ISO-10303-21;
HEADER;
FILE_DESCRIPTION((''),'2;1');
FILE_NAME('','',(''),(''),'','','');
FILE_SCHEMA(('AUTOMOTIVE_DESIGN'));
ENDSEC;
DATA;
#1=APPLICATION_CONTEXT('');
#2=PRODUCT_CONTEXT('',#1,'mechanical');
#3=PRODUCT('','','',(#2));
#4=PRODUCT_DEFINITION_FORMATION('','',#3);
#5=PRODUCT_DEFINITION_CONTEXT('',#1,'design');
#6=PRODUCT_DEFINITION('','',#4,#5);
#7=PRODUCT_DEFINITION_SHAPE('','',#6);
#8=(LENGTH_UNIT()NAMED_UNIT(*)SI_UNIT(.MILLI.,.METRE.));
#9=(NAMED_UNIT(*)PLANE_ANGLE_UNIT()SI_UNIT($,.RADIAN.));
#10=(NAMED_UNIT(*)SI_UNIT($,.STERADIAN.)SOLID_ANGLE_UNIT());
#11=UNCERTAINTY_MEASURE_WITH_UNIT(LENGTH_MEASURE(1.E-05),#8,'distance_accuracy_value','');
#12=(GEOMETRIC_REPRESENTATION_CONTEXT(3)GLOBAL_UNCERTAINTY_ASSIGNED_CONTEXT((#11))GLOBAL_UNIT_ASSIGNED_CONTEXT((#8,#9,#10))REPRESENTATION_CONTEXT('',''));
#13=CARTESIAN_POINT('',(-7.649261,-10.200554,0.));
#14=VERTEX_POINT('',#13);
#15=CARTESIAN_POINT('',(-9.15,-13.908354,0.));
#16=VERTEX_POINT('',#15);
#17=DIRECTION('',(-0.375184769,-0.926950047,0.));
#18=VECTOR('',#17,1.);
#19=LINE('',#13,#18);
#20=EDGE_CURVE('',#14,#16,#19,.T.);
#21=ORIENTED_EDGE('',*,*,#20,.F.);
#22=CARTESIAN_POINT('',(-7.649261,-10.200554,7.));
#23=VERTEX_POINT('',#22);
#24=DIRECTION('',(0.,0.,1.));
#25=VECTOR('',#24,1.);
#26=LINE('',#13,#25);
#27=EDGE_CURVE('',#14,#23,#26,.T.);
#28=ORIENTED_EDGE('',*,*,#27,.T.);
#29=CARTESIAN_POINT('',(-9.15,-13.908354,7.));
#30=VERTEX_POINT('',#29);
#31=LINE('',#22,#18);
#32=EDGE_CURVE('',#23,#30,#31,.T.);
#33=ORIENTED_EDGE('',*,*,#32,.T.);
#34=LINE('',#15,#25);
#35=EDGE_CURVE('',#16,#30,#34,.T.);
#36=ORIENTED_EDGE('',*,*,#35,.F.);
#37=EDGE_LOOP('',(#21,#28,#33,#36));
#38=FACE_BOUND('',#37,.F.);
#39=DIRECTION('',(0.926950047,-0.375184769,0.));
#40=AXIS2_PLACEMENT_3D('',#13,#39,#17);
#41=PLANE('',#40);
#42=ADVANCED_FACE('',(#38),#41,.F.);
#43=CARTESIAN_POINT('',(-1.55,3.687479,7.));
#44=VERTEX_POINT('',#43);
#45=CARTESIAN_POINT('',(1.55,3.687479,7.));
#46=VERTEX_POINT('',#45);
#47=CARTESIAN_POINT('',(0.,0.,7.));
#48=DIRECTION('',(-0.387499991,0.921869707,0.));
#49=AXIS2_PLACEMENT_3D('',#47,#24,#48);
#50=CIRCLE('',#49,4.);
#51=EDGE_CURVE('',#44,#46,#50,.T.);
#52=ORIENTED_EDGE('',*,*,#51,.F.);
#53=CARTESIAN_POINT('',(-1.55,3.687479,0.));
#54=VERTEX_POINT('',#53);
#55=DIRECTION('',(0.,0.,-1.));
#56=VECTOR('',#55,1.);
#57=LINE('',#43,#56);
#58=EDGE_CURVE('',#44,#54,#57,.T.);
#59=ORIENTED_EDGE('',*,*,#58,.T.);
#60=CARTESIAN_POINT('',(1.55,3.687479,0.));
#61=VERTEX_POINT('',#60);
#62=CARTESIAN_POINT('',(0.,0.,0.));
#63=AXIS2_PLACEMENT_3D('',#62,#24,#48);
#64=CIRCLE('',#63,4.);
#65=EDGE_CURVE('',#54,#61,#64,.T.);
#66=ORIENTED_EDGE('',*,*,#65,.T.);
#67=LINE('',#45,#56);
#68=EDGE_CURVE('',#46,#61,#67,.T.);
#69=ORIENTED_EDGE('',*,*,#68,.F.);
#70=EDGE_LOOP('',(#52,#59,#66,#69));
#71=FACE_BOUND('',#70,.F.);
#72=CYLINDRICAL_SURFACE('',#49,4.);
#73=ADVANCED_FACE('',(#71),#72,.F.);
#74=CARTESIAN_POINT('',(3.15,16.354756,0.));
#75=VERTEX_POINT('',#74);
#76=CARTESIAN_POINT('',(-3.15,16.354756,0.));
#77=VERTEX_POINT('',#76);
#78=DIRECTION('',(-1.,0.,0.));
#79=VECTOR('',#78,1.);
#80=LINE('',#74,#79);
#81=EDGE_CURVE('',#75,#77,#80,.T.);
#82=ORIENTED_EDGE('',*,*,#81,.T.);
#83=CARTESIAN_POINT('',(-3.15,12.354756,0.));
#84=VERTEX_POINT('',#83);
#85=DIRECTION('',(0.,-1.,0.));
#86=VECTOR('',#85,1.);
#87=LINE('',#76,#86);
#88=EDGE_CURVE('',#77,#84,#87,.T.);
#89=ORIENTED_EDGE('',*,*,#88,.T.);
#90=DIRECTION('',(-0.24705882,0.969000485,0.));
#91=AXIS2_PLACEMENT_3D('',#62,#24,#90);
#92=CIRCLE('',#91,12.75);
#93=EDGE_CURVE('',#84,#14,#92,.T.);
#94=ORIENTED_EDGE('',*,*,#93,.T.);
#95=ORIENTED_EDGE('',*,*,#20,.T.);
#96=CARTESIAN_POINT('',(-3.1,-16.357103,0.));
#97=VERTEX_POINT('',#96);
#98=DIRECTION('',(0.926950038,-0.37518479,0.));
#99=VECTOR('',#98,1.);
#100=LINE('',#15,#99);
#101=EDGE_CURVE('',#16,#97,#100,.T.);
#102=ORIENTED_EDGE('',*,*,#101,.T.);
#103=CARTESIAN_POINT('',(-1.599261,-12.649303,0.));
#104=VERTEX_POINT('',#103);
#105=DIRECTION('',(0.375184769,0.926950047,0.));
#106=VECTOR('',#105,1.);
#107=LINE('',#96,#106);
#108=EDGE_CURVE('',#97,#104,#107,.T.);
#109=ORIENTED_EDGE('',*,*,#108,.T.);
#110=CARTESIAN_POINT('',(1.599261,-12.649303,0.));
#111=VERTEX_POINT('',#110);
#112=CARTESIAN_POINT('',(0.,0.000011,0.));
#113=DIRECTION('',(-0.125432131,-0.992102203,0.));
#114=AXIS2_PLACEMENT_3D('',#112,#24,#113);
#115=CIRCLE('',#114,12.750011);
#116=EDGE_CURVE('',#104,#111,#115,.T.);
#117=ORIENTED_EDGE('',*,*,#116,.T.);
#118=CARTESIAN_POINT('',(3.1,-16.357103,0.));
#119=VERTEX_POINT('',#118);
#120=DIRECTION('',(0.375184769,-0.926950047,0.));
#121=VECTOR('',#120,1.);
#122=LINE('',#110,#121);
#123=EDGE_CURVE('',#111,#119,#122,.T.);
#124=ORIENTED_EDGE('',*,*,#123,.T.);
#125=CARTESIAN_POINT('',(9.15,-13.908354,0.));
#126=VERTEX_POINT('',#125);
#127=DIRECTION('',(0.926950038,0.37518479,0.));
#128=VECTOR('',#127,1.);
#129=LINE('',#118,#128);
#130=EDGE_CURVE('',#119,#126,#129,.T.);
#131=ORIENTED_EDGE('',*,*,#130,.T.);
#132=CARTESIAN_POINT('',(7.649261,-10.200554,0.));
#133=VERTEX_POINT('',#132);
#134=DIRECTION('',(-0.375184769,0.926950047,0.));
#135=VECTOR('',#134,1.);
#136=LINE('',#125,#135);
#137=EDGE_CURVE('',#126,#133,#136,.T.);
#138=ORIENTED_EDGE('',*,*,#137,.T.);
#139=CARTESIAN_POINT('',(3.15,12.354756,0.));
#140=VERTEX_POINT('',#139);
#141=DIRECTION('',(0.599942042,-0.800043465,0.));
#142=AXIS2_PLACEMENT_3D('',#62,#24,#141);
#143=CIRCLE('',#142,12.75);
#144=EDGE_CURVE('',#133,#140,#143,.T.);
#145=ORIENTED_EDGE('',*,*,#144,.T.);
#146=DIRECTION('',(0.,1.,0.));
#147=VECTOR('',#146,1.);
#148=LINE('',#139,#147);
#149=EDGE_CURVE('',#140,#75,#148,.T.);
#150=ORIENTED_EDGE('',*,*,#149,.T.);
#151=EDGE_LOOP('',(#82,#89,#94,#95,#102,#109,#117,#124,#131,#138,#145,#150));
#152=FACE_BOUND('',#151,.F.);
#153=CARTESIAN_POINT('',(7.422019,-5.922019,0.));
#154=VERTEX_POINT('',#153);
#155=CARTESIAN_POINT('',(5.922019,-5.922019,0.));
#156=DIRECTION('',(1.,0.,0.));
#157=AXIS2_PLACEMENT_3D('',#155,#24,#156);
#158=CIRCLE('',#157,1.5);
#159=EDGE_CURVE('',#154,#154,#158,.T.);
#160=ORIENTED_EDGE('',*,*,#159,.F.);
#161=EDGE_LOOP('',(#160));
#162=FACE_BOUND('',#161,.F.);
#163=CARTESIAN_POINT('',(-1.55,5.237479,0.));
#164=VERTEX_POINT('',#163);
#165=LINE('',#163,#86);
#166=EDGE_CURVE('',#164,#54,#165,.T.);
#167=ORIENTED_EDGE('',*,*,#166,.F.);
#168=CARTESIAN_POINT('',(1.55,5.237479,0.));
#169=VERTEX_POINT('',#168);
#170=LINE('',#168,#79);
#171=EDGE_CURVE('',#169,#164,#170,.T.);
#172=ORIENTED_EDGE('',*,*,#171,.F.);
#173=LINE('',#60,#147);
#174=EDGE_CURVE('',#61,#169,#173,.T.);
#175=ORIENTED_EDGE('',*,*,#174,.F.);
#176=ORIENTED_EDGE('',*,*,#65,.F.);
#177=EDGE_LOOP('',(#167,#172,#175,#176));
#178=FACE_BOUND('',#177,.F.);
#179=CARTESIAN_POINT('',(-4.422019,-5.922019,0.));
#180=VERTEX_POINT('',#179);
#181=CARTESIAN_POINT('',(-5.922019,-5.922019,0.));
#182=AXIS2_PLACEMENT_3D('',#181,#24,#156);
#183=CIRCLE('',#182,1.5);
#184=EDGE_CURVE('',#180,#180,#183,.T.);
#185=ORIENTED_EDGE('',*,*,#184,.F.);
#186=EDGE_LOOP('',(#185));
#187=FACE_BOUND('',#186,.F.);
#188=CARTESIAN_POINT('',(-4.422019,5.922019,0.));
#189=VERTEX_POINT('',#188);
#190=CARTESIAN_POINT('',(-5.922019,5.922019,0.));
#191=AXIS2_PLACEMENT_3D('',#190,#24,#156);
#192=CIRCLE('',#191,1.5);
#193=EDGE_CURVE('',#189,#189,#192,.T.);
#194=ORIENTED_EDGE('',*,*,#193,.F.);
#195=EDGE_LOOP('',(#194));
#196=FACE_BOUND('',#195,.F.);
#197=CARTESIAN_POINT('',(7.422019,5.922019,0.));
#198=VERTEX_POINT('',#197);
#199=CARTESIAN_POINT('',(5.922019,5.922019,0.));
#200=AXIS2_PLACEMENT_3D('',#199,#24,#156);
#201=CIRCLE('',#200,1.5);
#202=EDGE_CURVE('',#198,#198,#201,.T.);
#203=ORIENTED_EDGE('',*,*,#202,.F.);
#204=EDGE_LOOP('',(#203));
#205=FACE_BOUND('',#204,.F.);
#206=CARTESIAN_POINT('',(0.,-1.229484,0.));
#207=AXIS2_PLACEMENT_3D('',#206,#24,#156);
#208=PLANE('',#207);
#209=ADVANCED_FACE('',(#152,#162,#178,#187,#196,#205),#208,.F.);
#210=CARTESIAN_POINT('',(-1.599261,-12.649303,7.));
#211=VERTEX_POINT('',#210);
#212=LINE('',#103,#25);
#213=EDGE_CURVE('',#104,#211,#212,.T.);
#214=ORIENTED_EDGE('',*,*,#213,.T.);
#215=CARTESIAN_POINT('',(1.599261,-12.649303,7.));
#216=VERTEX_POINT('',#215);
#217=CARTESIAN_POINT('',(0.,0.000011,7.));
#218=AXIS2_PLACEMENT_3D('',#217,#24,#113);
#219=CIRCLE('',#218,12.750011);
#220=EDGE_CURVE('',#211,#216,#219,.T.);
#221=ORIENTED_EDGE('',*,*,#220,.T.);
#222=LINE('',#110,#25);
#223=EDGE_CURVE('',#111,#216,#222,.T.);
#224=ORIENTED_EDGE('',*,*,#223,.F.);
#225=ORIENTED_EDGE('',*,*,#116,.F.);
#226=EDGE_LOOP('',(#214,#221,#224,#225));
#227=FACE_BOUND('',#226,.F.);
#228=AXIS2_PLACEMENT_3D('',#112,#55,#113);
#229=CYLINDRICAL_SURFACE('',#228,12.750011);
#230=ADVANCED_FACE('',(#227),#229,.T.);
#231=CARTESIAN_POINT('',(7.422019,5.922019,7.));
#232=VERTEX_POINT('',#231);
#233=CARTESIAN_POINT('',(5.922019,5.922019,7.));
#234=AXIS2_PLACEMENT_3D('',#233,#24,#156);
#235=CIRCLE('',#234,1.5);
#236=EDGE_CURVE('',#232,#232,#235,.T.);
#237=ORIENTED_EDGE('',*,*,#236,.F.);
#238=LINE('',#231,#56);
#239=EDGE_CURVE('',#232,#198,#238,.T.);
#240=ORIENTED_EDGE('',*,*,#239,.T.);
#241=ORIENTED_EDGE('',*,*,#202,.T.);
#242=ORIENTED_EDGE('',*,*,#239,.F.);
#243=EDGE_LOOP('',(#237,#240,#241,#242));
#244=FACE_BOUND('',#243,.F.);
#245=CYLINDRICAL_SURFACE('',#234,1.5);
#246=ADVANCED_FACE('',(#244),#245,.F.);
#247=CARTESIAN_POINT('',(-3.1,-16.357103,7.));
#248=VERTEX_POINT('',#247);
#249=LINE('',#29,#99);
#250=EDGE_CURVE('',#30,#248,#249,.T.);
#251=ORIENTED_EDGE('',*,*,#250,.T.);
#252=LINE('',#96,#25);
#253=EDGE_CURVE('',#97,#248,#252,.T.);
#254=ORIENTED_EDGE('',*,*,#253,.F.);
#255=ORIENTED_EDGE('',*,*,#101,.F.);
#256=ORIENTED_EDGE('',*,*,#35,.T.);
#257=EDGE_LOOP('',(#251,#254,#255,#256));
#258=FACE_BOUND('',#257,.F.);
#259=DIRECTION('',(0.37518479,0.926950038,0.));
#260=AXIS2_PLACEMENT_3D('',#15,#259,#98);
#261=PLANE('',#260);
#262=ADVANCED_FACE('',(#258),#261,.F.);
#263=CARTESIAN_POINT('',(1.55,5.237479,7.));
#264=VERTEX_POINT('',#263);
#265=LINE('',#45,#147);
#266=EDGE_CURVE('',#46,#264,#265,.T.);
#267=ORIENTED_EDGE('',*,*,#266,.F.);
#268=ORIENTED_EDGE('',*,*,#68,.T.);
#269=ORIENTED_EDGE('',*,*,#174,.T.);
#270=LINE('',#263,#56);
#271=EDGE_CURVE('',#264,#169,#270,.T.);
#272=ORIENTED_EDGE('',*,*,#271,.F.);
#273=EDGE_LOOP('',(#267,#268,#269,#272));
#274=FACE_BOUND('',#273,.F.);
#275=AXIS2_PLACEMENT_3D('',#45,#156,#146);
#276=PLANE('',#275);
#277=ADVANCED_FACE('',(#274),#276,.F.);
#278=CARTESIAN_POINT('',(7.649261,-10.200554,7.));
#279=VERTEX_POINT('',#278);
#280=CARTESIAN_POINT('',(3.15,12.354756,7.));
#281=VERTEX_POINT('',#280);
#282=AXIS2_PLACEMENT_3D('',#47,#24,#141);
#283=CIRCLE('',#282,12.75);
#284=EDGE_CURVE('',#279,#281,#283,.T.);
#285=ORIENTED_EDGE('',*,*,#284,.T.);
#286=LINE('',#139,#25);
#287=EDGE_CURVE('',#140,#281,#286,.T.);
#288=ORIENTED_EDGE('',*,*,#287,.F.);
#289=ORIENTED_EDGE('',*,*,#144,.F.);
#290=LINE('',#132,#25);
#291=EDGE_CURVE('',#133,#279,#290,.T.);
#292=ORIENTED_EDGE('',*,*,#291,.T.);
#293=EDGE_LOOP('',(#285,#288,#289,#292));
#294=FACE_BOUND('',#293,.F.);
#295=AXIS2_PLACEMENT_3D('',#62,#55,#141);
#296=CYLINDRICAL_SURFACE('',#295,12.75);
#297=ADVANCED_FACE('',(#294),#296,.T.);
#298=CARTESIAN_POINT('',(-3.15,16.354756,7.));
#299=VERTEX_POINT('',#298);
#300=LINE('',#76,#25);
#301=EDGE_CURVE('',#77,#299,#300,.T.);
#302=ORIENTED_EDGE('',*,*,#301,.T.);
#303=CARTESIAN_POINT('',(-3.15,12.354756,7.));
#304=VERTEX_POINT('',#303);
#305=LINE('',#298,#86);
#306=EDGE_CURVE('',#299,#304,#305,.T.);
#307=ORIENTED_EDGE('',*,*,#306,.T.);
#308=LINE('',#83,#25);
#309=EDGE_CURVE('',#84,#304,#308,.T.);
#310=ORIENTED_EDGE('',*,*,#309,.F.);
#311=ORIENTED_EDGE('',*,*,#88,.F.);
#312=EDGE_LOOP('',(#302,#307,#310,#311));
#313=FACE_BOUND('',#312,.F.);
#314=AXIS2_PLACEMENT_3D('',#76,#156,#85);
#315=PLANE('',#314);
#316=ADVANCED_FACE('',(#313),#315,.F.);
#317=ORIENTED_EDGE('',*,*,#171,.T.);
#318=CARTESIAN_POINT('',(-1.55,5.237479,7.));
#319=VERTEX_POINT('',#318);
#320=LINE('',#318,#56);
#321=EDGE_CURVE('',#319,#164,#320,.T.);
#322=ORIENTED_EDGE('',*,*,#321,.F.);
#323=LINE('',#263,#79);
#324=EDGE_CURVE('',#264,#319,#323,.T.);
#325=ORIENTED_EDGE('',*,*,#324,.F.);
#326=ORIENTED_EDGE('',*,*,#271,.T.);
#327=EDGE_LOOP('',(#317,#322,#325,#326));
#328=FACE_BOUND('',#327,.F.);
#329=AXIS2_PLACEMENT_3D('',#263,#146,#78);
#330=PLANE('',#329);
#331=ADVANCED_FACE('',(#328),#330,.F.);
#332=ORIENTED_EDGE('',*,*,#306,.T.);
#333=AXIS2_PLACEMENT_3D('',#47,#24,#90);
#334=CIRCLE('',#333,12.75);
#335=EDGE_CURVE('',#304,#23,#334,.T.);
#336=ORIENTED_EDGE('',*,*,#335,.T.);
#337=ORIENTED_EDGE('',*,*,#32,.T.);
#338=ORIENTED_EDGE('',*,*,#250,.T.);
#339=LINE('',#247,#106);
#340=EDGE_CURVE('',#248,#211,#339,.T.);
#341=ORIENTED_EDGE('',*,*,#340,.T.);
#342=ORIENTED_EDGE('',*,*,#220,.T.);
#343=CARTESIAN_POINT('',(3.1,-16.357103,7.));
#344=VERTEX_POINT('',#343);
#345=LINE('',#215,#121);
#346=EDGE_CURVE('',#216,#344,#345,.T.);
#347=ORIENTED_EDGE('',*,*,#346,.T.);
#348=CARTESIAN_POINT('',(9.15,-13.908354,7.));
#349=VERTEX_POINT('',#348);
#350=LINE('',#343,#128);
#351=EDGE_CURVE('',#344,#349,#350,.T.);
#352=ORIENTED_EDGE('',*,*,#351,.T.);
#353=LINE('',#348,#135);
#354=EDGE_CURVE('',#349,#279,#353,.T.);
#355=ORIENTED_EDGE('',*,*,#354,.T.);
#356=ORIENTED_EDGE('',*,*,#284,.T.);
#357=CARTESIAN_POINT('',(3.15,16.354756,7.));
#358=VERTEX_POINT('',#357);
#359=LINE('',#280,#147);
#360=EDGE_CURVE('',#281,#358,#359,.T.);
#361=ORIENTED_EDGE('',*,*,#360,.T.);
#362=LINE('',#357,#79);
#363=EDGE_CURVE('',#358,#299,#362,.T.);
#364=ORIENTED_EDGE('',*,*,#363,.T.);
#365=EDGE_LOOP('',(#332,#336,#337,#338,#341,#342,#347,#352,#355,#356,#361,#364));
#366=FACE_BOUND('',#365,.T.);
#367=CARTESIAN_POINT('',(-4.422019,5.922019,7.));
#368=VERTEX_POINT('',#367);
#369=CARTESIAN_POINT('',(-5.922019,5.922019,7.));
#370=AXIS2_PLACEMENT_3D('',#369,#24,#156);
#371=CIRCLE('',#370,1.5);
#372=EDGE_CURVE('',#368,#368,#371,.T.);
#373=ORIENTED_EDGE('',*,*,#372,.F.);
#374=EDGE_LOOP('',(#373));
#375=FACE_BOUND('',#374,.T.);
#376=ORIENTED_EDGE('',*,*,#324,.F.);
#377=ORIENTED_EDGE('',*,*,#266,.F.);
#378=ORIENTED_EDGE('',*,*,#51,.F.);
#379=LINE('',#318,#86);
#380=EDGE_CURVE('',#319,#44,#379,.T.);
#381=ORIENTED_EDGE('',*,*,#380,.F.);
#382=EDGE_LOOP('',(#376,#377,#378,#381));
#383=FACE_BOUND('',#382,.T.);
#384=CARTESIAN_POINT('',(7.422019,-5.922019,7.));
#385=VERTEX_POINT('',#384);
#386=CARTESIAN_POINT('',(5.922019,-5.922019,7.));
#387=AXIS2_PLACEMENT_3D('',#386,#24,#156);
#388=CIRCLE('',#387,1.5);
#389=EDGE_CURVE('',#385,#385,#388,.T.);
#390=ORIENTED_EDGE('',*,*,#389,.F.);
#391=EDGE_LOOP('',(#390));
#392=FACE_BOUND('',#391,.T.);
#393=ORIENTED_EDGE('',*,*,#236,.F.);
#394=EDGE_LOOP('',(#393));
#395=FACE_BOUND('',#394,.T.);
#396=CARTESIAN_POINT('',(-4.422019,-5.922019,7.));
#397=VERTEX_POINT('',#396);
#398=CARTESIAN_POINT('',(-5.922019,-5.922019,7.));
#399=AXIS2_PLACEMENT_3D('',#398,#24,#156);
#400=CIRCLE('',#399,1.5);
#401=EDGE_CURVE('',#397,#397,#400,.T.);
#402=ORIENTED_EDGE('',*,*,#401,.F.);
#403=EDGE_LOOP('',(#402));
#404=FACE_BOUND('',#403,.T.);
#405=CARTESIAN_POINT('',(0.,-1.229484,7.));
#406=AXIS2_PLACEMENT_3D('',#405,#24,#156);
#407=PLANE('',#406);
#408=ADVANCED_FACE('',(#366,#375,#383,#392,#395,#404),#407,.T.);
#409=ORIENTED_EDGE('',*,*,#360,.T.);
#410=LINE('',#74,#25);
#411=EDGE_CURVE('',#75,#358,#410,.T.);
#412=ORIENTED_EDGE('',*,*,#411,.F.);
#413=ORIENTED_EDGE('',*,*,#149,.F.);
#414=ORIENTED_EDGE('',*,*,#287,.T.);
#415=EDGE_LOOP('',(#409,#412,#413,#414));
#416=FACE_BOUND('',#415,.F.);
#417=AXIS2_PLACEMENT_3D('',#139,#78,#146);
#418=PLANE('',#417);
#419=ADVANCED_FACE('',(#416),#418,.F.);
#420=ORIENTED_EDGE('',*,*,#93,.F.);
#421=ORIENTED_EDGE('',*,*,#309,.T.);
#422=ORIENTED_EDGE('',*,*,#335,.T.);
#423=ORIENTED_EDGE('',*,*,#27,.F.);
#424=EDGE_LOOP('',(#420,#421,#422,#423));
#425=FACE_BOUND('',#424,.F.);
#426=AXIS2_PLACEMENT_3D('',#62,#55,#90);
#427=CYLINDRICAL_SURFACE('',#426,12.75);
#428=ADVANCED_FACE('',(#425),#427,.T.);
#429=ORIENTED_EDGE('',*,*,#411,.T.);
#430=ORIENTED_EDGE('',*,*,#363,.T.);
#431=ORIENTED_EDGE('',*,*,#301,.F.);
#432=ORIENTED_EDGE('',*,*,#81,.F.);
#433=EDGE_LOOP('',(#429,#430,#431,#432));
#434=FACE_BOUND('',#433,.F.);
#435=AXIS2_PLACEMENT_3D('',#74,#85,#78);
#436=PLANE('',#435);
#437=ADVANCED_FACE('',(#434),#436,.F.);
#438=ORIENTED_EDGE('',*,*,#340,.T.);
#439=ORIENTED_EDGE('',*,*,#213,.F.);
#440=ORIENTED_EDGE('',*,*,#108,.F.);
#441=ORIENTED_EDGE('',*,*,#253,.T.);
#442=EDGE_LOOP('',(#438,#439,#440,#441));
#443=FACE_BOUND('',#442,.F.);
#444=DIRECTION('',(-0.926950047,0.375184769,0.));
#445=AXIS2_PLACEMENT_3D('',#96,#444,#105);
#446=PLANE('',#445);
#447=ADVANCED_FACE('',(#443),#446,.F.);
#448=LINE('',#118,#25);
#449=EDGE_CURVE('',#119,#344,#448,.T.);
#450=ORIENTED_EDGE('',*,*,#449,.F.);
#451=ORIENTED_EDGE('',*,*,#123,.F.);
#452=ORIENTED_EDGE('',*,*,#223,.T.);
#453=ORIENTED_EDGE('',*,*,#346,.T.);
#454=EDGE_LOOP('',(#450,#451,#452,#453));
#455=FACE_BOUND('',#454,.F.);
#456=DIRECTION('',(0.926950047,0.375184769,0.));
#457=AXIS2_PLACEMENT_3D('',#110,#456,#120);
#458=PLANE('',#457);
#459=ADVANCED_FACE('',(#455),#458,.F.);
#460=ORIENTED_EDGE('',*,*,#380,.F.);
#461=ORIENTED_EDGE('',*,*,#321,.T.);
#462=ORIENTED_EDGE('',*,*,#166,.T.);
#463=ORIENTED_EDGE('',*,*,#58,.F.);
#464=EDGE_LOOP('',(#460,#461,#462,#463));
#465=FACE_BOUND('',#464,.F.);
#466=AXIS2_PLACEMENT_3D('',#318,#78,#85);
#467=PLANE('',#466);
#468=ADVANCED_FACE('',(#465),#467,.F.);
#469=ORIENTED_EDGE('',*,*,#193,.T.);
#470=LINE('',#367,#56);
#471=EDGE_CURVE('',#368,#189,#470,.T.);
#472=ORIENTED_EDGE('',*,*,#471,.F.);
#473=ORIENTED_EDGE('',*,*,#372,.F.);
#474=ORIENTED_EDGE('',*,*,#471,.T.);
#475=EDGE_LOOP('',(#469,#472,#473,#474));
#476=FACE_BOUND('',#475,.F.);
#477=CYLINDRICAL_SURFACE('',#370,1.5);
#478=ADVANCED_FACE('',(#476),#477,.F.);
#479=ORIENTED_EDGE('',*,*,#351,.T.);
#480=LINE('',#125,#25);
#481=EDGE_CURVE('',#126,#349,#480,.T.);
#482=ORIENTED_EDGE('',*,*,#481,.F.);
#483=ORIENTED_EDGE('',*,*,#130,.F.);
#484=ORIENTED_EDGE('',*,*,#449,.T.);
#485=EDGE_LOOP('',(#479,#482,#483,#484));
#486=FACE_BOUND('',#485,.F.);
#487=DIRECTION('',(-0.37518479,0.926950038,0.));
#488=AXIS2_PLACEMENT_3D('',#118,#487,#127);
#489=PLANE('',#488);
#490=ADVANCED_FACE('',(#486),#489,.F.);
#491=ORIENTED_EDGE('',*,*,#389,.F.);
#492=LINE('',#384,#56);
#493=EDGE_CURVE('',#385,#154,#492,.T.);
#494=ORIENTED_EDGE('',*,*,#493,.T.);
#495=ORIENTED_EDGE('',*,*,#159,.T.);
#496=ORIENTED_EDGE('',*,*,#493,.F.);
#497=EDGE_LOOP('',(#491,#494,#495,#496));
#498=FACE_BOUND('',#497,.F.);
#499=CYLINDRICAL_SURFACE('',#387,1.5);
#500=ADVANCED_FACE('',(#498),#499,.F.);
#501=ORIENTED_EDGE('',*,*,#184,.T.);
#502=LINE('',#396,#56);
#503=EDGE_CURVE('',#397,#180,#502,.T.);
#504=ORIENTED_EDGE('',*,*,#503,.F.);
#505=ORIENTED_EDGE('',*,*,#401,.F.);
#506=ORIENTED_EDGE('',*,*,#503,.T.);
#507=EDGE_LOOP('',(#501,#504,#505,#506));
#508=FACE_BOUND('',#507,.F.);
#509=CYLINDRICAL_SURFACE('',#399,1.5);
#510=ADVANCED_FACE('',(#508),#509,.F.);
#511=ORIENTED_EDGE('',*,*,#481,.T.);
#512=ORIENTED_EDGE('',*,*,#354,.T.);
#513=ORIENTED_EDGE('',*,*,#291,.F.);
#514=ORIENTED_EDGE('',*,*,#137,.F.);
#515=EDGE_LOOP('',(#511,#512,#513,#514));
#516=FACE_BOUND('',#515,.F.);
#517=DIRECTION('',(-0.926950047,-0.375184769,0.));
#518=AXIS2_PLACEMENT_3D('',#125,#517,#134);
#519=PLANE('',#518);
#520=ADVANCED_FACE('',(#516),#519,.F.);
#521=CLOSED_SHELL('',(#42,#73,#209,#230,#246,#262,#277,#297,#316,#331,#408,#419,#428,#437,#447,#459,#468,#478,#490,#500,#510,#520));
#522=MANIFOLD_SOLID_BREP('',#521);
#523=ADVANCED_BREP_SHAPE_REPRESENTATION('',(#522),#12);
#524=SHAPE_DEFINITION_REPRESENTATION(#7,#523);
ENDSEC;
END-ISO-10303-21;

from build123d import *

# Parameters (mm, degrees)
F1_DEPTH = 7
F2_R     = 1.5
F3_DEPTH = 7


with BuildPart() as f1:
    # F0 (on Top) → F1 (new body)
    with BuildSketch(Plane.XY):
        with BuildLine():
            Line((9.15, -13.908354), (7.649261, -10.200554))
            ThreePointArc((7.649261, -10.200554), (12.50366, 2.49419), (3.15, 12.354756))
            Line((3.15, 12.354756), (3.15, 16.354756))
            Line((3.15, 16.354756), (0, 16.354756))
            Line((0, 16.354756), (-3.15, 16.354756))
            Line((-3.15, 16.354756), (-3.15, 12.354756))
            ThreePointArc((-3.15, 12.354756), (-12.50366, 2.49419), (-7.649261, -10.200554))
            Line((-7.649261, -10.200554), (-9.15, -13.908354))
            Line((-9.15, -13.908354), (-3.1, -16.357103))
            Line((-3.1, -16.357103), (-1.599261, -12.649303))
            ThreePointArc((-1.599261, -12.649303), (0, -12.75), (1.599261, -12.649303))
            Line((1.599261, -12.649303), (3.1, -16.357103))
            Line((3.1, -16.357103), (9.15, -13.908354))
        make_face()
    extrude(amount=F1_DEPTH)

    # F2 (on face) → F3 (cut, through all)
    with BuildSketch(Plane.XY.offset(7)):
        with BuildLine():
            Line((-1.55, 5.237479), (-1.55, 3.687479))
            ThreePointArc((-1.55, 3.687479), (0, -4), (1.55, 3.687479))
            Line((1.55, 3.687479), (1.55, 5.237479))
            Line((1.55, 5.237479), (0, 5.237479))
            Line((0, 5.237479), (-1.55, 5.237479))
        make_face()
        with Locations((-5.922019, 5.922019)):
            Circle(F2_R)
        with Locations((-5.922019, -5.922019)):
            Circle(F2_R)
        with Locations((5.922019, -5.922019)):
            Circle(F2_R)
        with Locations((5.922019, 5.922019)):
            Circle(F2_R)
    extrude(amount=-F3_DEPTH, mode=Mode.SUBTRACT)


solid = f1.part
